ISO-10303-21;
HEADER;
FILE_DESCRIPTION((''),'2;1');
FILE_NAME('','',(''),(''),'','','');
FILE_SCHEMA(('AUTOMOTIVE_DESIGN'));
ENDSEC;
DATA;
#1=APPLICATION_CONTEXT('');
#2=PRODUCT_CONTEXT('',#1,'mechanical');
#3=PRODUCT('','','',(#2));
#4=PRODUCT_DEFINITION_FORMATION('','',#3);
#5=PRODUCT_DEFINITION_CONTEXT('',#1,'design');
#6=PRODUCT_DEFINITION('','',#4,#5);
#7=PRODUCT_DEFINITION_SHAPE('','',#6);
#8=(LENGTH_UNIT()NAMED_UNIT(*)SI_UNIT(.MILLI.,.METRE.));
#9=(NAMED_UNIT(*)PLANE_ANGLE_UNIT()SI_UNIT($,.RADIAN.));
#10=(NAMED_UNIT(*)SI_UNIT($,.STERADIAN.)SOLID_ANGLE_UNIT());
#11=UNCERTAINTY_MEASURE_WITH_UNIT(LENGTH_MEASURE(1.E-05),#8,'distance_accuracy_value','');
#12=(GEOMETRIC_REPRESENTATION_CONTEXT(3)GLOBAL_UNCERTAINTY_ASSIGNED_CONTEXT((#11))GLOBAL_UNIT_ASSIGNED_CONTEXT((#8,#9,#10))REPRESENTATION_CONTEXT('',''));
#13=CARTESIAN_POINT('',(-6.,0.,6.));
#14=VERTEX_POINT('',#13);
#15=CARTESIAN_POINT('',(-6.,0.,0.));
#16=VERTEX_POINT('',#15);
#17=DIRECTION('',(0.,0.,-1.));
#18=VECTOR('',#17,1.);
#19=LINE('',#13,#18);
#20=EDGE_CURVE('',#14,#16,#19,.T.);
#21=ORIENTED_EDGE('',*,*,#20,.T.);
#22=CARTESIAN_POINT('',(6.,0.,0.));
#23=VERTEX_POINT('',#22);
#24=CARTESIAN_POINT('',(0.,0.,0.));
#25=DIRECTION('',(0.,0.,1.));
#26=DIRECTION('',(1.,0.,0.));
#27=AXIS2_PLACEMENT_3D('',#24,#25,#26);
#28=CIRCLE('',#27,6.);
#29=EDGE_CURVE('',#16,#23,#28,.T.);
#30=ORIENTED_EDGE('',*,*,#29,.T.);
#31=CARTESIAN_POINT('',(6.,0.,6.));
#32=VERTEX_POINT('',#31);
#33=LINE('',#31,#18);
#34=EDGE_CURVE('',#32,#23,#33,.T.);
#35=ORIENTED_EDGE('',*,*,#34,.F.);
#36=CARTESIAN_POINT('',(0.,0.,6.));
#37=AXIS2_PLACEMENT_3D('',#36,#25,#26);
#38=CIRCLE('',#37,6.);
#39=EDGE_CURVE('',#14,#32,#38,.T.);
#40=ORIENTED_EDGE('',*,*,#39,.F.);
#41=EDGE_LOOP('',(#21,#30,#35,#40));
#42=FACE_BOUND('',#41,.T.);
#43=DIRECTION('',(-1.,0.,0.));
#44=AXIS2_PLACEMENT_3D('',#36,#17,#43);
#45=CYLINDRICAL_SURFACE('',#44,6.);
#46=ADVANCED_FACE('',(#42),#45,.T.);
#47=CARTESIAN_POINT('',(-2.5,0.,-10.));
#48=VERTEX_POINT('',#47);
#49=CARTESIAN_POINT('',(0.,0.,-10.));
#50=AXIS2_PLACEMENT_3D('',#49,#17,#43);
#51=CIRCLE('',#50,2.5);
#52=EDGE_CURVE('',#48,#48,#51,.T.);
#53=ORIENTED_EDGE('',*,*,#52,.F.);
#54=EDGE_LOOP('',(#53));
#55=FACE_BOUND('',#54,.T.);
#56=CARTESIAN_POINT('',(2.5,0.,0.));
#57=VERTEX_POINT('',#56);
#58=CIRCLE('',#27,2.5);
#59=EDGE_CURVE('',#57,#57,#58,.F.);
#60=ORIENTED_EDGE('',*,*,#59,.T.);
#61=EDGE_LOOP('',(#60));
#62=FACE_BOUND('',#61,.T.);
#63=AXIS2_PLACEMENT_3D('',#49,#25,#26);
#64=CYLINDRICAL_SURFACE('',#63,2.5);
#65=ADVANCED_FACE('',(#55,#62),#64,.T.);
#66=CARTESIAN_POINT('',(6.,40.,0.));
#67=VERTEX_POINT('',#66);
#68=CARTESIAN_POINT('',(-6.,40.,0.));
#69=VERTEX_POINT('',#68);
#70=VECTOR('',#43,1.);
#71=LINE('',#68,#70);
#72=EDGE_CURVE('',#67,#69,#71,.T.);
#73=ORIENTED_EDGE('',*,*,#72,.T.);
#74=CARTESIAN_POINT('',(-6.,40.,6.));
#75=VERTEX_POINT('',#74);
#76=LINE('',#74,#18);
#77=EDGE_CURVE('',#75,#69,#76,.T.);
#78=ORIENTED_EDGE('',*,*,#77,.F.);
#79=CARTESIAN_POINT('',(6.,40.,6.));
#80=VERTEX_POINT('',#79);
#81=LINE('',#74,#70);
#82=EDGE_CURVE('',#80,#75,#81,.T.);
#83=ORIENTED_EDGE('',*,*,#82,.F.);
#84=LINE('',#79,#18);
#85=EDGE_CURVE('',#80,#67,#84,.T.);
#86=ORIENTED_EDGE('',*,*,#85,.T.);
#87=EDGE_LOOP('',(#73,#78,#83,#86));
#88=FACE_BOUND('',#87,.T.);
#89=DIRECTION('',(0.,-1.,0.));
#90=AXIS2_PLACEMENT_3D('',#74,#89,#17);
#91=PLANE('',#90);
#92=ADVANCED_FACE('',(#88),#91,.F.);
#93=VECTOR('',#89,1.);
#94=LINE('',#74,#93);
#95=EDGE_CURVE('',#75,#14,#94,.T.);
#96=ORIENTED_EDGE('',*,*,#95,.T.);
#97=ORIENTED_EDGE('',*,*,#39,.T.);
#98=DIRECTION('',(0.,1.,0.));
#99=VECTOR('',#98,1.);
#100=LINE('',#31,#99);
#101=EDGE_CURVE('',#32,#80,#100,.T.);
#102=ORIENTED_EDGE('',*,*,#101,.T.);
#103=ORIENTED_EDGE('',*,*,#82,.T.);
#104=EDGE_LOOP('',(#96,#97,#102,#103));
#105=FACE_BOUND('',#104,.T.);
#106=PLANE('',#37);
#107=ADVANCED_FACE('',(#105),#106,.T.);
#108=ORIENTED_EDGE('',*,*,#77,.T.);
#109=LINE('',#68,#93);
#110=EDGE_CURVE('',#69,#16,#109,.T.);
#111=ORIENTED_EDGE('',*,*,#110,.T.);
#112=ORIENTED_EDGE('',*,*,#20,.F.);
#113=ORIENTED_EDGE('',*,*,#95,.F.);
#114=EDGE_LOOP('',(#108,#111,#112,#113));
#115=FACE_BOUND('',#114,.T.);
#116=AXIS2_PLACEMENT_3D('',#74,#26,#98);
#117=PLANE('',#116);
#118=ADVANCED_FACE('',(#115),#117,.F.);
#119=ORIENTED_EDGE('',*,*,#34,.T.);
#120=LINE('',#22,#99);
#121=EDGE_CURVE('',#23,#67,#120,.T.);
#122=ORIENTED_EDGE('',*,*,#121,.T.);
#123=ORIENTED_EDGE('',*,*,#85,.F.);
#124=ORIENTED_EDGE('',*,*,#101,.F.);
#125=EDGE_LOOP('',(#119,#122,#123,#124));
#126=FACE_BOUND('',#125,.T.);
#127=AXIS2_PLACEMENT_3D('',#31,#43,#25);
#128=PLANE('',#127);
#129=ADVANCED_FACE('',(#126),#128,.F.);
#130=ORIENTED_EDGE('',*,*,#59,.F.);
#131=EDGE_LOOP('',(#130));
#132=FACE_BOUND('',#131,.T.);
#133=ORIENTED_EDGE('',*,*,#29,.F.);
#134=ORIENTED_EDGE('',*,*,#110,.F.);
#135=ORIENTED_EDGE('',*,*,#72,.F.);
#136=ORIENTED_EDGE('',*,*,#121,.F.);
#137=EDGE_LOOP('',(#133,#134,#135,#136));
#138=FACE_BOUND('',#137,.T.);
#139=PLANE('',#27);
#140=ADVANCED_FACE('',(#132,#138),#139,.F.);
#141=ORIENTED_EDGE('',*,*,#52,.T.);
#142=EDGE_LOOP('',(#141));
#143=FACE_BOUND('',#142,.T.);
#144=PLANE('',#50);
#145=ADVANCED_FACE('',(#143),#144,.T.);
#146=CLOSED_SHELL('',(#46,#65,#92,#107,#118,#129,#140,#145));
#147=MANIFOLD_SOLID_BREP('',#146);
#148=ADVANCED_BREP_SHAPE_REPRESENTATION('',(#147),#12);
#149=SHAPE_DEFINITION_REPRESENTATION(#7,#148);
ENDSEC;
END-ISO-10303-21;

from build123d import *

# Parameters (mm, degrees)
EXTRUDE_1_DEPTH = 6
SKETCH_2_R      = 2.5
EXTRUDE_2_DEPTH = 10


with BuildPart() as part:
    # 草圖1 → 伸長1 (new body)
    with BuildSketch(Plane.XY):
        with BuildLine():
            Line((-6, 40), (-6, 0))
            ThreePointArc((-6, 0), (0, -6), (6, 0))
            Line((6, 0), (6, 40))
            Line((6, 40), (-6, 40))
        make_face()
    extrude(amount=EXTRUDE_1_DEPTH)

    # 草圖2 → 伸長2 (add)
    with BuildSketch(Plane(origin=(0, 0, 0), x_dir=(-1, 0, 0), z_dir=(0, 0, -1))):
        with Locations(Location((0, 0, 0), (0, 0, 180))):
            Circle(SKETCH_2_R)
    extrude(amount=EXTRUDE_2_DEPTH)


solid = part.part
